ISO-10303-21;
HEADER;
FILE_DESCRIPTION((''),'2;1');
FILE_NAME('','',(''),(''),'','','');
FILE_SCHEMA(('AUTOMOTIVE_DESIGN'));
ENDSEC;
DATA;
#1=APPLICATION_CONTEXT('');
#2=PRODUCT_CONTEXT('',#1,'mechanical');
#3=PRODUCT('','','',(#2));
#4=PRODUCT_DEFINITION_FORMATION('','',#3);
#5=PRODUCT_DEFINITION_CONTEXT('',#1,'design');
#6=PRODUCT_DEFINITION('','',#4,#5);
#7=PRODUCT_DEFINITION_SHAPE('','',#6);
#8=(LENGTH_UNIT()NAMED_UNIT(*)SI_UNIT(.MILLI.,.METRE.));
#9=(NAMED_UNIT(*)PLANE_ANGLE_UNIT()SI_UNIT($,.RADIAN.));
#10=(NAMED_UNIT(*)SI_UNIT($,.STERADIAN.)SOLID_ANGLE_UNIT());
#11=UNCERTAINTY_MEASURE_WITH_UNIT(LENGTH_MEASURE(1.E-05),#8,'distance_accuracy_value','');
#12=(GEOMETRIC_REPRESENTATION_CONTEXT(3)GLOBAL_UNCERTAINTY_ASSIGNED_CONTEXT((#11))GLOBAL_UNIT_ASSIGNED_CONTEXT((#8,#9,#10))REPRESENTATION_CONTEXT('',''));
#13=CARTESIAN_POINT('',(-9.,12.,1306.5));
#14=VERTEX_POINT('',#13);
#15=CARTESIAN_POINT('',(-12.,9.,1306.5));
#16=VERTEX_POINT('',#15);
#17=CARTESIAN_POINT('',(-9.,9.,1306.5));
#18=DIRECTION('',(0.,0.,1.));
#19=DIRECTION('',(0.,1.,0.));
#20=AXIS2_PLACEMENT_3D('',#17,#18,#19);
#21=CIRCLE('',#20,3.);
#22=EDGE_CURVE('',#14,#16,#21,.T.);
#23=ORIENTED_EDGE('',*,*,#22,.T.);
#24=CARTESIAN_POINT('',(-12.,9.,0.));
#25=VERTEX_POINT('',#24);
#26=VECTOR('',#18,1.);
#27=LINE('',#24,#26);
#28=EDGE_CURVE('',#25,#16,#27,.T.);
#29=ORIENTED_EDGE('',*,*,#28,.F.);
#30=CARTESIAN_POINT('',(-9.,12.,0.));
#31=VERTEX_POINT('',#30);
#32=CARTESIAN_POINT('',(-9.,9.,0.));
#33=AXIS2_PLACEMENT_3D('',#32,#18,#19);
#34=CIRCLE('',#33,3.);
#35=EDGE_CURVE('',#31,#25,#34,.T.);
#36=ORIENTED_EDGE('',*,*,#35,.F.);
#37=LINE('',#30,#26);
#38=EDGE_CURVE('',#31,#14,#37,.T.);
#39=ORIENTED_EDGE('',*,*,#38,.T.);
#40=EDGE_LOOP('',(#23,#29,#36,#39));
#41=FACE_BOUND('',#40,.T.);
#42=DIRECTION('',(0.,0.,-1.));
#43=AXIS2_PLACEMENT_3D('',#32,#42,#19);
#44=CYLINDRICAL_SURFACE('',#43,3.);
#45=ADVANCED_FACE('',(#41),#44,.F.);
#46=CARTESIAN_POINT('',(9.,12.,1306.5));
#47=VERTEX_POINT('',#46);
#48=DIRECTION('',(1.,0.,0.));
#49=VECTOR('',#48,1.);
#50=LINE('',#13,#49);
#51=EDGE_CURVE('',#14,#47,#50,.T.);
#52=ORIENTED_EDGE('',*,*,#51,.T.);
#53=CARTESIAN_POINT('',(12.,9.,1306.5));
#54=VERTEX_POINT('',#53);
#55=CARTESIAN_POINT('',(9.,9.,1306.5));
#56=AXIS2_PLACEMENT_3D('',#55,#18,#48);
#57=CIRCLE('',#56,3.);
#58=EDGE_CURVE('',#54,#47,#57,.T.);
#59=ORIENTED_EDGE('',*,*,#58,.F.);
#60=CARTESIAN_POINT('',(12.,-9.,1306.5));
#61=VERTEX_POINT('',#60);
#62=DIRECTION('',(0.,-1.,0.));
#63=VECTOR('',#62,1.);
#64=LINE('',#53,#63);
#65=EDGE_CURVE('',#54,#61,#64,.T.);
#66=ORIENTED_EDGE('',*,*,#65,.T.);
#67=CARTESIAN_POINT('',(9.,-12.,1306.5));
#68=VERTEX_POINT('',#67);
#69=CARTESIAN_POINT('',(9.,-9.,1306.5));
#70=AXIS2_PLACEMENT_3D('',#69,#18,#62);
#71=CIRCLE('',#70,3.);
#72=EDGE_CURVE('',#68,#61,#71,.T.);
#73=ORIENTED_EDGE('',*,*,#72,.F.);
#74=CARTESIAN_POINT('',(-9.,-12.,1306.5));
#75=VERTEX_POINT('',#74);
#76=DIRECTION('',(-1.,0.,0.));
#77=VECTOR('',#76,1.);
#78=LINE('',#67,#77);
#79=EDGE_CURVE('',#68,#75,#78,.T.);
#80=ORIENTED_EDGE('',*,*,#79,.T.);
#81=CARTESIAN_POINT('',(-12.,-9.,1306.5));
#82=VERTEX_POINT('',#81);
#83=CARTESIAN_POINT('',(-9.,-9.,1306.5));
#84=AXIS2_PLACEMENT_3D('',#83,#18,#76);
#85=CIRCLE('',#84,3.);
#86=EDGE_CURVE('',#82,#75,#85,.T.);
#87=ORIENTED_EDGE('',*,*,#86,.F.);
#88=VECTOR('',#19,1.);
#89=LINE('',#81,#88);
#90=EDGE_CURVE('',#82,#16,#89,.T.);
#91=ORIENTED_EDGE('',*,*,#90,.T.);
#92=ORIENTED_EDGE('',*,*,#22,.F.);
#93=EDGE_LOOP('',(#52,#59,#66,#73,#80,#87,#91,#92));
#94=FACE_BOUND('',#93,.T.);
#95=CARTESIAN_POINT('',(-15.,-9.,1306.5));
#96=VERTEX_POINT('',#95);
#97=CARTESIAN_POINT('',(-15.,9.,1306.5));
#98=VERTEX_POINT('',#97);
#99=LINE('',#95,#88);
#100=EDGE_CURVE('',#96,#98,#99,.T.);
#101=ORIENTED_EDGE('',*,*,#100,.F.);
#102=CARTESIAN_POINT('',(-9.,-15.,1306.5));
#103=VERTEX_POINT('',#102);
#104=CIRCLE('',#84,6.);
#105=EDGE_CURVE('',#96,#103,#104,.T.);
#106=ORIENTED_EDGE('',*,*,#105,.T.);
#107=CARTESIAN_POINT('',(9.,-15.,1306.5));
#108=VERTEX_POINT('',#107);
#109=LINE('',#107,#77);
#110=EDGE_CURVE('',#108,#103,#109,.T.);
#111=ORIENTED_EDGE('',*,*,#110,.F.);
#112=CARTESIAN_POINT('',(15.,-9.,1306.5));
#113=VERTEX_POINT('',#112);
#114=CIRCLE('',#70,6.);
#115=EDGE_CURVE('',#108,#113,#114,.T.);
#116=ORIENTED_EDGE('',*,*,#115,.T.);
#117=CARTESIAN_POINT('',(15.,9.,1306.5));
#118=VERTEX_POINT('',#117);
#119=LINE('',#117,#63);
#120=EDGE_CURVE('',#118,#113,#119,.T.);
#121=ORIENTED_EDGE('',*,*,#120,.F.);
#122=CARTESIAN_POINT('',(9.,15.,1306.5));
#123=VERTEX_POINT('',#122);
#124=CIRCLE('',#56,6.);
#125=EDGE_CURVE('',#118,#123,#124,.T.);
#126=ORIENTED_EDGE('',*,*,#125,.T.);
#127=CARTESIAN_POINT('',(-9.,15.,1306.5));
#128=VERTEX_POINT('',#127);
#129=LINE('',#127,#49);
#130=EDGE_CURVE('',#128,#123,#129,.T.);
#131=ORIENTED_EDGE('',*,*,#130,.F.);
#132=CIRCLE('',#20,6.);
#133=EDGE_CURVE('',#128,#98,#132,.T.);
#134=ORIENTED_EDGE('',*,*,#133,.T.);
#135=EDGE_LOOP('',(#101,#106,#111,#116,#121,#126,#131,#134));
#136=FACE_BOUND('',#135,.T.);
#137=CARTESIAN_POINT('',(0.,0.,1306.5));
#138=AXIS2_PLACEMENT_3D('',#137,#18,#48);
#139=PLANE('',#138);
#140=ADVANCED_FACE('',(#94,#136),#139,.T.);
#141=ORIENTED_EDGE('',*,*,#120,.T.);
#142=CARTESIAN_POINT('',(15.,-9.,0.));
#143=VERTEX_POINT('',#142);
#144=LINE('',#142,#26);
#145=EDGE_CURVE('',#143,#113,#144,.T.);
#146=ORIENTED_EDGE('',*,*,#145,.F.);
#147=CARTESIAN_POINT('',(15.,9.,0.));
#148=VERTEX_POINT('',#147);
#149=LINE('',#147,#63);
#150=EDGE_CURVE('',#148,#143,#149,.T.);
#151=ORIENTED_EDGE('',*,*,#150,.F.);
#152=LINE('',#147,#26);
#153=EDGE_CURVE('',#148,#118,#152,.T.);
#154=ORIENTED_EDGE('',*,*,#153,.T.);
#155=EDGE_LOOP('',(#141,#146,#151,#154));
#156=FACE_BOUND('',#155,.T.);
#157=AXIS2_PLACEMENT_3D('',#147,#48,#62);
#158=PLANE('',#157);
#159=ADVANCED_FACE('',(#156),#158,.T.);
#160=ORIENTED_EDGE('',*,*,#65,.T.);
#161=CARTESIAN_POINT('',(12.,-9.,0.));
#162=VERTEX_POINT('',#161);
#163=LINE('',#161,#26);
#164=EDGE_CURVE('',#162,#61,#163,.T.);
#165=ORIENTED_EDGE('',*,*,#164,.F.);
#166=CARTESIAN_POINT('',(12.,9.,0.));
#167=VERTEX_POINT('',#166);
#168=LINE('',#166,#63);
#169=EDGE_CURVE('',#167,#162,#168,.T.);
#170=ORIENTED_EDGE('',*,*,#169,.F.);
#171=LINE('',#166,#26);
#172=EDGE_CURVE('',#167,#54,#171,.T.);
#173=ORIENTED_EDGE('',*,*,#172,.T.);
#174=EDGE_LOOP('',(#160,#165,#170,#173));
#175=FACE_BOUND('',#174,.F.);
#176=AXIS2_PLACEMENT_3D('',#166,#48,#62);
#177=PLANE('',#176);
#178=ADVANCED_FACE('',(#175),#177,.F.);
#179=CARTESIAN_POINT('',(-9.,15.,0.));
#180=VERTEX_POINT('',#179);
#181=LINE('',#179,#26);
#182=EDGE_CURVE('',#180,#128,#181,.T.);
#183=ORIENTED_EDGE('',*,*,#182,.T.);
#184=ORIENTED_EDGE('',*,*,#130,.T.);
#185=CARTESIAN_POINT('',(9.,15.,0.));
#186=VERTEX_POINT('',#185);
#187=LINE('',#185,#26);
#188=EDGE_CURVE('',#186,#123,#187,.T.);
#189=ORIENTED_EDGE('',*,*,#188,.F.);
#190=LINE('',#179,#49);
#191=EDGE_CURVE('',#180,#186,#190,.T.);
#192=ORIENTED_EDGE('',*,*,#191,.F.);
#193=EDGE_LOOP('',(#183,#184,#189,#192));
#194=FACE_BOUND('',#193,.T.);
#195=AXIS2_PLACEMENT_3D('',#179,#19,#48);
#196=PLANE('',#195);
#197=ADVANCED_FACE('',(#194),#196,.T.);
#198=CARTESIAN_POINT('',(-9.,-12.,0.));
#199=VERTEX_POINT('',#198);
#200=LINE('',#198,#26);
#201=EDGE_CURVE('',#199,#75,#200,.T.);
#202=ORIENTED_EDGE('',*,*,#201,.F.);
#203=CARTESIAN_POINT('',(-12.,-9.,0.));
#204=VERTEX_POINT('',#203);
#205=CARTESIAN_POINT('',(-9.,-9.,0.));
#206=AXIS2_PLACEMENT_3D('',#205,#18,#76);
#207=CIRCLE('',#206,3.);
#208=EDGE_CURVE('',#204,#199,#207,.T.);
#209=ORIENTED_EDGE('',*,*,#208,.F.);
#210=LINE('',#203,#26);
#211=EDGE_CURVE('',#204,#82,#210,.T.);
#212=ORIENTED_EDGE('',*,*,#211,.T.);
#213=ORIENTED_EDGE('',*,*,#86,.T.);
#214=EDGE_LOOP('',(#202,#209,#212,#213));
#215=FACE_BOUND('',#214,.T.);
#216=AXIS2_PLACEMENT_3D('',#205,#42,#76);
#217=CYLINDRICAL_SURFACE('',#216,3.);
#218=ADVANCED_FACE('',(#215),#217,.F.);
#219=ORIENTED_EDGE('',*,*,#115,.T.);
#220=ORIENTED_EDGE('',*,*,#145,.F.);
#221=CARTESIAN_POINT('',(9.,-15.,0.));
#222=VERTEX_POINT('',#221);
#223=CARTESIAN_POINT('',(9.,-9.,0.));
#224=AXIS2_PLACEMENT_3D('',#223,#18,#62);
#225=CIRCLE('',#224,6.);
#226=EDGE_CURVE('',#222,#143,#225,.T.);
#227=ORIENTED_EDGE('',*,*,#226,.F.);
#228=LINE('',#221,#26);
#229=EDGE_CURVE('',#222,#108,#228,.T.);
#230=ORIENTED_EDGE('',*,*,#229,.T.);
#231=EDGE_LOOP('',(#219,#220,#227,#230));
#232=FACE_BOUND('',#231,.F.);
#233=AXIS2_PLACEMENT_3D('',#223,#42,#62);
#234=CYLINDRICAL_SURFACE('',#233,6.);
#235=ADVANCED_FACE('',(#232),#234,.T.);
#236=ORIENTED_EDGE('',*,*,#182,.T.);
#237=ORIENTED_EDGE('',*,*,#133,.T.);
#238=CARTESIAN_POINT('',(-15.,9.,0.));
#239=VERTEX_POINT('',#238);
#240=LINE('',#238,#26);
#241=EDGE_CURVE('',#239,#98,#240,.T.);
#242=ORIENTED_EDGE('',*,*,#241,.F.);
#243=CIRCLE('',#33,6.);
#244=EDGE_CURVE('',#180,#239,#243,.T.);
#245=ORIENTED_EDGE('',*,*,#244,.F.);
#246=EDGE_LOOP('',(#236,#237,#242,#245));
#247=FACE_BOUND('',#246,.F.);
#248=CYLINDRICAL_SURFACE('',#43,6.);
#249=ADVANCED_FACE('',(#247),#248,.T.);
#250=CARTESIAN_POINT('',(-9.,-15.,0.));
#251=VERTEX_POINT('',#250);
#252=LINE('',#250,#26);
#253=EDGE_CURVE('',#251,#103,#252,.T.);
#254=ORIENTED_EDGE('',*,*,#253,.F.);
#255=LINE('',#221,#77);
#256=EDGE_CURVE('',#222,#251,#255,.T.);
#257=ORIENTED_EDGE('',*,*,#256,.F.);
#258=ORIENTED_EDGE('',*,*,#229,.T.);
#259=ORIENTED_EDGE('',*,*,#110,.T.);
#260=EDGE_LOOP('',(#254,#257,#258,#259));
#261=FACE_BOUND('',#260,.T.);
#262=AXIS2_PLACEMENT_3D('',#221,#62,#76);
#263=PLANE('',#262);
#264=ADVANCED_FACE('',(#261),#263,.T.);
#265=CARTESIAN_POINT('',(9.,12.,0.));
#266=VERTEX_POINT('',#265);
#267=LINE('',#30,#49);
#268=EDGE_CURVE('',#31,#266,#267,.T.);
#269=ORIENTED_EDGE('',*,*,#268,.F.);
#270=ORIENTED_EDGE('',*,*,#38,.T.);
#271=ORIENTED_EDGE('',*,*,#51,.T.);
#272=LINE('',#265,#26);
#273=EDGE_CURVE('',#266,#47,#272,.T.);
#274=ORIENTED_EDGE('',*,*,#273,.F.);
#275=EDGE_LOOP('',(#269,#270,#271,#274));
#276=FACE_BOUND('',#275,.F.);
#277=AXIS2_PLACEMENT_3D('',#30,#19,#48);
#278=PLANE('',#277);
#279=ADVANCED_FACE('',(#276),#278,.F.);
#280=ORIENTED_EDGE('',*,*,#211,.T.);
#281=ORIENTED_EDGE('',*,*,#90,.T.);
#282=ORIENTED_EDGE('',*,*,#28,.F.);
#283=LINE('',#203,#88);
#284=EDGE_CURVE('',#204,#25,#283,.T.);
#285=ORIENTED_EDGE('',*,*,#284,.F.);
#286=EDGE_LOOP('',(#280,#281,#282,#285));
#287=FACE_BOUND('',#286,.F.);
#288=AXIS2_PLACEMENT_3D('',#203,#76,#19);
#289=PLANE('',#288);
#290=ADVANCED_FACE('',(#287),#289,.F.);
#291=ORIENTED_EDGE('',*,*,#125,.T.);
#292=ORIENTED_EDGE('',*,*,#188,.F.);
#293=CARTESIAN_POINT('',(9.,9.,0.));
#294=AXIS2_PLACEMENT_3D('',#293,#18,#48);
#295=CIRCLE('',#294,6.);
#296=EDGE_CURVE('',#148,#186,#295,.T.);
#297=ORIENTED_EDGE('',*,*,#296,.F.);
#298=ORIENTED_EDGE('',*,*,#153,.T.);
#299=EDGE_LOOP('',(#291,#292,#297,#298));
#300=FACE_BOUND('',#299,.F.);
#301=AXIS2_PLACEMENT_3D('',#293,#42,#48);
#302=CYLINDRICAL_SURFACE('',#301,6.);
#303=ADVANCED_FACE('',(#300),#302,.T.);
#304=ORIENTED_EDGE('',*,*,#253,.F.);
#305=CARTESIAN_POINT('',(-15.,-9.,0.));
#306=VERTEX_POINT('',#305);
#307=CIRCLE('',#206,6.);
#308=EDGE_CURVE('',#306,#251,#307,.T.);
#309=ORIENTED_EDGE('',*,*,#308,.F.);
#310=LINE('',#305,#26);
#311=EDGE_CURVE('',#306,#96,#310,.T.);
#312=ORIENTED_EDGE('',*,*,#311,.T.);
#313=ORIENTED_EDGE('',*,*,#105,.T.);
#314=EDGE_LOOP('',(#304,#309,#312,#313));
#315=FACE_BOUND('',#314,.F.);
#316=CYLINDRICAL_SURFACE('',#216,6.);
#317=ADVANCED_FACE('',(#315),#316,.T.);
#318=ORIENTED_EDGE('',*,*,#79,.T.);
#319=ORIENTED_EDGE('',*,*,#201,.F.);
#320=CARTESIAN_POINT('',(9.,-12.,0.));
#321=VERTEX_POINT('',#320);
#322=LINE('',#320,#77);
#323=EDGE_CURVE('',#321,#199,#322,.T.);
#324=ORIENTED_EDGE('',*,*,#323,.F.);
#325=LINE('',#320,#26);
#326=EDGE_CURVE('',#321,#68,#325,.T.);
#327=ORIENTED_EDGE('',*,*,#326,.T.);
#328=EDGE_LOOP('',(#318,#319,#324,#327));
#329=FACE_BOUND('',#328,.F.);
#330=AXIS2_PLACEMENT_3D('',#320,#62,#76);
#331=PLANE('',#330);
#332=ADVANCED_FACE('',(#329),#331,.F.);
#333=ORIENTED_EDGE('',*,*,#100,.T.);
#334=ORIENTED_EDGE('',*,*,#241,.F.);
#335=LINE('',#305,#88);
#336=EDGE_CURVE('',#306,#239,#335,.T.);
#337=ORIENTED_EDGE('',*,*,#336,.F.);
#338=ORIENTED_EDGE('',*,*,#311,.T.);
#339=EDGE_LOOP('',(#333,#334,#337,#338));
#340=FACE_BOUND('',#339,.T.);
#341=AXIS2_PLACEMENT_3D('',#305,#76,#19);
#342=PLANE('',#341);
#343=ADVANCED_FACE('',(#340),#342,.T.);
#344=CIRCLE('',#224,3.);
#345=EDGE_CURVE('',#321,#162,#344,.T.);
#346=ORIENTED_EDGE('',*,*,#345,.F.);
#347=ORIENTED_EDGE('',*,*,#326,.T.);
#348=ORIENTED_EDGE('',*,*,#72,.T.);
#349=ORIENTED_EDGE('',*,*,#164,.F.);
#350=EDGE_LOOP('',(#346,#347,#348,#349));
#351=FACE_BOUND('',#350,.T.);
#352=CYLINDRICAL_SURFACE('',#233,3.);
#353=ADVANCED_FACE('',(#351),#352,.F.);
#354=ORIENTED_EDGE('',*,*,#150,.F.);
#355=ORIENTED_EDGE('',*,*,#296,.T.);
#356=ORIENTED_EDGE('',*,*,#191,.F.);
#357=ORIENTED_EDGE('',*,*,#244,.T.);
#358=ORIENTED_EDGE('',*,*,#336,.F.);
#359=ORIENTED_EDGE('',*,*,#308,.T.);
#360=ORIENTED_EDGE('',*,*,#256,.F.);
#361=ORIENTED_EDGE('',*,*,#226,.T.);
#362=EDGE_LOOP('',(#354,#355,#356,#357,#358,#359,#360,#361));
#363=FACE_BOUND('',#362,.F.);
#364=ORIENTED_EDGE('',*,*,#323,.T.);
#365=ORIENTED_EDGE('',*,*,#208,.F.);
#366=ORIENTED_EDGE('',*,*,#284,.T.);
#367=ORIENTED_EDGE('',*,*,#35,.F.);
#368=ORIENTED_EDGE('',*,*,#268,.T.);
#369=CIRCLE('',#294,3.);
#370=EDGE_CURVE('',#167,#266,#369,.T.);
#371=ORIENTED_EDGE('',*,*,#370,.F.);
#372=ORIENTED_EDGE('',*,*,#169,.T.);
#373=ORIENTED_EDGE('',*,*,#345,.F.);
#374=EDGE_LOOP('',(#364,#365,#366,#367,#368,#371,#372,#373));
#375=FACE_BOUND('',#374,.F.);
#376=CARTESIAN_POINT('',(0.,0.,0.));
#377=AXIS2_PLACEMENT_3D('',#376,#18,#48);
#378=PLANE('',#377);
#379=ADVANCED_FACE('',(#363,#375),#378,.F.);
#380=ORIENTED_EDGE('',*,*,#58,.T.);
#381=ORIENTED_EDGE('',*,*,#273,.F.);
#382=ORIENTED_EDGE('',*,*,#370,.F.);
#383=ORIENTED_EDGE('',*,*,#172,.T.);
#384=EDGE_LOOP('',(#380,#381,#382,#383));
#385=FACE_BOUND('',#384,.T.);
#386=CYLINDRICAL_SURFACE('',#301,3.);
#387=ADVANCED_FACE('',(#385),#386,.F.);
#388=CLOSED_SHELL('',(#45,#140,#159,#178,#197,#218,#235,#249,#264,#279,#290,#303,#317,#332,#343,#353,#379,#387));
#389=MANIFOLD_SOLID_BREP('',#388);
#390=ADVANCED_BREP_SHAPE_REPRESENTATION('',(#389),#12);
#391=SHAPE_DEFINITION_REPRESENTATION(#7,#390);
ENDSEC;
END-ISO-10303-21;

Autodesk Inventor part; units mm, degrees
ref_plane "Start Plane" through (0, 0, 0) normal (0, 0, 1) x (1, 0, 0)
ref_plane "End Plane" through (0, 0, 1306.5) normal (0, 0, 1) x (1, 0, 0)
sketch "Sketch" plane through (0, 0, 0) normal (0, 0, 1) x (1, 0, 0)
  line L0 (-15, -9) -> (-15, 9)
  line L1 (-9, 15) -> (9, 15)
  line L2 (15, 9) -> (15, -9)
  line L3 (9, -15) -> (-9, -15)
  arc A0 (-15, -9) -> (-9, -15) centre (-9, -9) ccw
  arc A1 (-9, 15) -> (-15, 9) centre (-9, 9) ccw
  arc A2 (15, 9) -> (9, 15) centre (9, 9) ccw
  arc A3 (9, -15) -> (15, -9) centre (9, -9) ccw
  arc A4 (-9, 12) -> (-12, 9) centre (-9, 9) ccw
  line L4 (-9, 12) -> (9, 12)
  arc A5 (12, 9) -> (9, 12) centre (9, 9) ccw
  line L5 (12, 9) -> (12, -9)
  arc A6 (9, -12) -> (12, -9) centre (9, -9) ccw
  line L6 (9, -12) -> (-9, -12)
  arc A7 (-12, -9) -> (-9, -12) centre (-9, -9) ccw
  line L7 (-12, -9) -> (-12, 9)
  line L8 (0, 22.7397) -> (0, -22.7397) construction
  line L9 (-22.7397, 0) -> (22.7397, 0) construction
  dimension "d7" = 6
  dimension "d10" = 30
  dimension "d11" = 30
  dimension "d12" = 3
  dimension "d15" = 15
  dimension "d16" = 15
extrude "Body" add sketch "Sketch" along normal up to surface (1306.5 mm away) from surface at 0
sketch "Sketch3" plane through (0, 0, 0) normal (0, 0, 1) x (1, 0, 0)
  line L0 (0, 0) -> (10, 0)
ref_plane "Work Plane3" through (0, 0, 0) normal (0, -1, 0) x (1, 0, 0)
ref_plane "Work Plane5" through (-200, 9, 1306.5) normal (0, 0, 1) x (1, 0, 0)
split "Split2" plane through (-200, 9, 1306.5) removes the side toward (0, 0, 1)
sketch "Sketch4" plane through (0, 0, 0) normal (0, -1, 0) x (1, 0, 0)
  line L0 (-2, 0) -> (12, 0) projected
  line L1 (-2, 1306.5) -> (12, 1306.5) projected
  dimension "d18" = 1306.5
equation "\"d7\" = G_IR"
equation "\"d10\" = G_H"
equation "\"d11\" = G_W"
equation "\"d12\" = G_T"
equation "\"d15\" = 0.5 * d10"
equation "\"d16\" = 0.5 * d11"
equation "\"d3\" = G_L"
equation "\"G_W\" = 30"
equation "\"G_H\" = 30"
equation "\"G_T\" = 3"
equation "\"G_IR\" = 6"
equation "\"G_L\" = d18"
equation "\"G_OFFSET_START\" = 0"
equation "\"G_OFFSET_END\" = -15"
equation "\"d14\" = G_OFFSET_END + B_L"
equation "\"B_L\" = 1321.5"
properties part number "DIN EN 10219-2 - 30 x 30 x 3  - 1306.5" material "Steel, Mild"
